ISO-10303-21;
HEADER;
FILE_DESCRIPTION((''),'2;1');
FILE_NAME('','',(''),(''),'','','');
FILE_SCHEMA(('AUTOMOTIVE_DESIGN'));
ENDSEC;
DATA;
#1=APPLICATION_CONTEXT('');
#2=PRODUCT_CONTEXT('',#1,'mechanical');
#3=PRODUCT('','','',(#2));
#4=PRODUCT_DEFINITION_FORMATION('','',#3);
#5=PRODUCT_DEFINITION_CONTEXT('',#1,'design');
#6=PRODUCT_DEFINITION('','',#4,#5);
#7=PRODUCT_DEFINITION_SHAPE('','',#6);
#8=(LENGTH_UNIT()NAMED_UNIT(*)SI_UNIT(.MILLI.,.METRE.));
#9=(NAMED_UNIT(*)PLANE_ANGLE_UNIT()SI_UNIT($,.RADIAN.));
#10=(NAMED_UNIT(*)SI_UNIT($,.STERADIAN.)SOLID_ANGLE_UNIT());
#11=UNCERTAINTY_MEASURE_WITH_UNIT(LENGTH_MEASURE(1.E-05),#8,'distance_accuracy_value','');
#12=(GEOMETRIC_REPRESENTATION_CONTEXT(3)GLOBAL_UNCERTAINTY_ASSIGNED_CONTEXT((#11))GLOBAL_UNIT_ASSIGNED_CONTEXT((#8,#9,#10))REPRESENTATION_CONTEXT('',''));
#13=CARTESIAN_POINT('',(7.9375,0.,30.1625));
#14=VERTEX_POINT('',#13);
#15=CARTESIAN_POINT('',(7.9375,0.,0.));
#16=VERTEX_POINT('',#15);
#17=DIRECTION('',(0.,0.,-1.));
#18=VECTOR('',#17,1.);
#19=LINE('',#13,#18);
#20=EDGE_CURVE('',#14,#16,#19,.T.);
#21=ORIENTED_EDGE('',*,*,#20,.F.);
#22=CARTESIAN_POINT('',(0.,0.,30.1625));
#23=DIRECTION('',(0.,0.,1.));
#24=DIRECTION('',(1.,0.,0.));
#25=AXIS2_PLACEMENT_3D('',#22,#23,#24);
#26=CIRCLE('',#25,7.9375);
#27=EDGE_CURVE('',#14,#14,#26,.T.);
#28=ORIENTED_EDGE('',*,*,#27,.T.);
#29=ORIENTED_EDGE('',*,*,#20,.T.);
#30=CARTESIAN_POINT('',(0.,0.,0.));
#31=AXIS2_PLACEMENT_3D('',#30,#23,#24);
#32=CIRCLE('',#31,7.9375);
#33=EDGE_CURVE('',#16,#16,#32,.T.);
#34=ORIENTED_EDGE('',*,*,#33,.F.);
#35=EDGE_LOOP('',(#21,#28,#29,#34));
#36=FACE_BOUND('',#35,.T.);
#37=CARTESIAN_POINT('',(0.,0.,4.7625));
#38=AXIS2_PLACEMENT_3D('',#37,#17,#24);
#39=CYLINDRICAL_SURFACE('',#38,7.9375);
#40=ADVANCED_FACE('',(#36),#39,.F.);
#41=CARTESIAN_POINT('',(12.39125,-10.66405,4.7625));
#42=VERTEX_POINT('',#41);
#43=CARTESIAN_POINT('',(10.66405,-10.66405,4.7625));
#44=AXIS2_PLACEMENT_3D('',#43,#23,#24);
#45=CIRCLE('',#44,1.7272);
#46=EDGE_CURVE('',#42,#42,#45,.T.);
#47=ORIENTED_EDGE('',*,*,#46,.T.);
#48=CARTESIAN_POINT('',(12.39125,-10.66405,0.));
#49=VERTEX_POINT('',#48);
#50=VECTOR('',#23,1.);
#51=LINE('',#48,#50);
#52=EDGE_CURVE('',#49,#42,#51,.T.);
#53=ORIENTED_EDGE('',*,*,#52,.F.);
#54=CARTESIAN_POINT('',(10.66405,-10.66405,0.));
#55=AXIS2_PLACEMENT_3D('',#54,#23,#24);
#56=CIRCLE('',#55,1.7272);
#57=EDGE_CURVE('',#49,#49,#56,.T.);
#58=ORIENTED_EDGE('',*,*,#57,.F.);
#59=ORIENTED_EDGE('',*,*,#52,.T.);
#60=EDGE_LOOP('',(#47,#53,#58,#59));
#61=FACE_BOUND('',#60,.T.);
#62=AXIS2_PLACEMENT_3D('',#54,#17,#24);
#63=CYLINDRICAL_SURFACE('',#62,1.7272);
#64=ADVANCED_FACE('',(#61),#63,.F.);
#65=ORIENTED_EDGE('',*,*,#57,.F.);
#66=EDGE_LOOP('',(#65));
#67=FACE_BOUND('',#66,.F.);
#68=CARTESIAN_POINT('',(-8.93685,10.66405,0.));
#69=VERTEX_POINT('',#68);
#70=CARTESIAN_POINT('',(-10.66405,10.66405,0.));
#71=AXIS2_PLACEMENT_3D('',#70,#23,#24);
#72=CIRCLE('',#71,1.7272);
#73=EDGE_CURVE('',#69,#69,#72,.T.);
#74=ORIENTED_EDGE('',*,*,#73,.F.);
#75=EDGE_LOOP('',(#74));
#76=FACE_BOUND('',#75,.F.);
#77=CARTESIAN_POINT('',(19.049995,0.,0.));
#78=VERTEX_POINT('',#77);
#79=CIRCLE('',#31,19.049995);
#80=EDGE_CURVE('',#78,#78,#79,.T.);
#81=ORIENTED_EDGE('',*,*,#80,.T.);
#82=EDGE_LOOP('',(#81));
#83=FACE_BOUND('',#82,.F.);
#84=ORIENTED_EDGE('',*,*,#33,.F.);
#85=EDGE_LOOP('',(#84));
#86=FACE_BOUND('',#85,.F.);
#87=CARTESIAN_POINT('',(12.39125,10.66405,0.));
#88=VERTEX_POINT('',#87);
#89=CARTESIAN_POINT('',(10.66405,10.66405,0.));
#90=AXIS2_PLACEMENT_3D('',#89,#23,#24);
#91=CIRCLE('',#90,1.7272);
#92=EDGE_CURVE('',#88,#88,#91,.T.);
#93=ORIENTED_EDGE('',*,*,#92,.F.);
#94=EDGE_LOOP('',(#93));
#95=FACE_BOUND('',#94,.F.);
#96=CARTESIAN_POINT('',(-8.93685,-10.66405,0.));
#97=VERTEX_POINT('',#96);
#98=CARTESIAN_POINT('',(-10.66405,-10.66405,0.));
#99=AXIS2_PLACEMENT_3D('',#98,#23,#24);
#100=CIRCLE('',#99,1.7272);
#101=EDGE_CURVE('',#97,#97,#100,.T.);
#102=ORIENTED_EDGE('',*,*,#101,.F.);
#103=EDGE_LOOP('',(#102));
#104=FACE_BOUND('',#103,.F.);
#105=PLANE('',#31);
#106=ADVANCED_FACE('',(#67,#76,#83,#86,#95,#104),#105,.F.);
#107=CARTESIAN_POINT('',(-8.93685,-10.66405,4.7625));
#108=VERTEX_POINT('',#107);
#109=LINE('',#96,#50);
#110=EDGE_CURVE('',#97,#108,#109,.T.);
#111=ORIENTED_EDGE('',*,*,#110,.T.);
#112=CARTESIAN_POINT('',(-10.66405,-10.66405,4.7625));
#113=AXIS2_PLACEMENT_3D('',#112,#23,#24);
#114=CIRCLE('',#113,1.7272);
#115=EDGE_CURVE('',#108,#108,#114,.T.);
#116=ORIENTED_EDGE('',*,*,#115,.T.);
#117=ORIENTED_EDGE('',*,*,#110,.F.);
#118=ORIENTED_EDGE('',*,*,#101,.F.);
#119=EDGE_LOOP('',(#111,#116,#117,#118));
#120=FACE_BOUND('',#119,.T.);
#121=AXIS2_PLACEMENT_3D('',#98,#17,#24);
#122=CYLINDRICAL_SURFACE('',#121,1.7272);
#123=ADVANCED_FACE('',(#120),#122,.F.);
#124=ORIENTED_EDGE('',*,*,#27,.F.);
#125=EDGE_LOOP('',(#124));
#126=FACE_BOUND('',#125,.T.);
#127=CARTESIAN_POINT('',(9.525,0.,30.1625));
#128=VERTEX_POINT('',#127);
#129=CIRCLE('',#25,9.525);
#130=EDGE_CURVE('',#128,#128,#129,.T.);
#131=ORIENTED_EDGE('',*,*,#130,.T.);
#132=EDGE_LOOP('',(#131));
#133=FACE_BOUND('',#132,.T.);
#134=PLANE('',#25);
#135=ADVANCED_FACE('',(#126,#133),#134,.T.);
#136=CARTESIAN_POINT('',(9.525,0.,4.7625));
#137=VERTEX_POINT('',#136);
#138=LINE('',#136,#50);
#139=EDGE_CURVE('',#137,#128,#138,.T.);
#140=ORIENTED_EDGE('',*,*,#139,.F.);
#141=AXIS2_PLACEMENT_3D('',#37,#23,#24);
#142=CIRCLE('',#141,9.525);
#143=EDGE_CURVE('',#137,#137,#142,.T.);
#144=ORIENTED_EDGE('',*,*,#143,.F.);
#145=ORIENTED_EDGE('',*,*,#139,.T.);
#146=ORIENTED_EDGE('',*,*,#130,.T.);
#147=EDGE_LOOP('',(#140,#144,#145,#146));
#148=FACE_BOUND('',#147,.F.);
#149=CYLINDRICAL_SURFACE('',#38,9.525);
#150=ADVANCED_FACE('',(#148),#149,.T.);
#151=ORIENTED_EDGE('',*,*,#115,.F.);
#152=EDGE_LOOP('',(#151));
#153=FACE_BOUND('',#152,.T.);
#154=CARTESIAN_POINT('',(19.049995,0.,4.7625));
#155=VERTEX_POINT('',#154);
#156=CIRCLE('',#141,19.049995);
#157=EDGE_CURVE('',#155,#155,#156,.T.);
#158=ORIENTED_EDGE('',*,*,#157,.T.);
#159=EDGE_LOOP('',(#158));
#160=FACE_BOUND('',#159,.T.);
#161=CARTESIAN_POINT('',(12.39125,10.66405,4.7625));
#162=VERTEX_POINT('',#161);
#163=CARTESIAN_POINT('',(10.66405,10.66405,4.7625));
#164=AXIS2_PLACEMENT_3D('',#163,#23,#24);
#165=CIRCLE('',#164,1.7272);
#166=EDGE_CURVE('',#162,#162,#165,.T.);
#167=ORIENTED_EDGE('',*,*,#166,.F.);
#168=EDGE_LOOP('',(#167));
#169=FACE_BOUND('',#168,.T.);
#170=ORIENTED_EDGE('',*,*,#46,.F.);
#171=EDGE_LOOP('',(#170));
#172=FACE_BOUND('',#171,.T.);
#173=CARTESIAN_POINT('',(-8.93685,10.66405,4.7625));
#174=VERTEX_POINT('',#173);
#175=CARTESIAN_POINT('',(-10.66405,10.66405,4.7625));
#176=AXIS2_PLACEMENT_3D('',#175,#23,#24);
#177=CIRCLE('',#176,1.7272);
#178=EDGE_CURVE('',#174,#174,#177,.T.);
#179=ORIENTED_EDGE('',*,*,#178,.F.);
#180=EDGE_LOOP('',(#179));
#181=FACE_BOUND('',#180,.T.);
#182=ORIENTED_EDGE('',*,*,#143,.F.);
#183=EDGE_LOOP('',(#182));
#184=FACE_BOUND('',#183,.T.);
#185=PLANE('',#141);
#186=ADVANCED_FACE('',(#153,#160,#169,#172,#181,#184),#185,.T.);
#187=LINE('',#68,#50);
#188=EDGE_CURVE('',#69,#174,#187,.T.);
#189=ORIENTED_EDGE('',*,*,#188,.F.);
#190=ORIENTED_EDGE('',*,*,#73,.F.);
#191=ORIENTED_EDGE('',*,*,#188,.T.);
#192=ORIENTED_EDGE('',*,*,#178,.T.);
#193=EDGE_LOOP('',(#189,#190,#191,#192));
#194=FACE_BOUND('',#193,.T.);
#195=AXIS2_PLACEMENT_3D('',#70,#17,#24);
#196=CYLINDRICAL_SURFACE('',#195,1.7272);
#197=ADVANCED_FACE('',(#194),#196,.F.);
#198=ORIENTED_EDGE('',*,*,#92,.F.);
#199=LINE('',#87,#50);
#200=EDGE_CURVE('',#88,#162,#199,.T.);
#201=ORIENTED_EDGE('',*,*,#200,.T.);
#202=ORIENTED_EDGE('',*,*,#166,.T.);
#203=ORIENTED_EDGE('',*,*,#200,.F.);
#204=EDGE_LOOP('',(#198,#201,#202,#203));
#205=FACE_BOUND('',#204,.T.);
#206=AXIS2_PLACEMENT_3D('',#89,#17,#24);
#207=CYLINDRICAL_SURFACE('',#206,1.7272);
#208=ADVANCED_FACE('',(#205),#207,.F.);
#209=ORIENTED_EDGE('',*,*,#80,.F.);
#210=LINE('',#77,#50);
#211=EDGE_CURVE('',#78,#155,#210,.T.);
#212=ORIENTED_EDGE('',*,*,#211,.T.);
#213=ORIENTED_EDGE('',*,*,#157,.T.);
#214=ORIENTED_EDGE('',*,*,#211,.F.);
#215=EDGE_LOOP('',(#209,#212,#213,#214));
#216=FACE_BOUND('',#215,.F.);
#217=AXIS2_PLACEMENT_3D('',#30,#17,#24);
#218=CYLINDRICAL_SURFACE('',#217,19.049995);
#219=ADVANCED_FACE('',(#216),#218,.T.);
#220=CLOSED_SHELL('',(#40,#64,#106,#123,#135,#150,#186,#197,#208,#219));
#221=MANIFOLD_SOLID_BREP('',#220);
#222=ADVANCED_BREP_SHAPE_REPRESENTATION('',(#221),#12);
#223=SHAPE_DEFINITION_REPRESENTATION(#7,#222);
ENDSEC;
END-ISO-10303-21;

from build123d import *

# Parameters (mm, degrees)
F0_R     = 19.049995
F0_R_2   = 1.7272
F0_R_3   = 7.9375
F1_DEPTH = 4.7625
F3_R     = 9.525
F3_R_2   = 7.9375
F4_DEPTH = 25.4


with BuildPart() as f1:
    # F0 (on Top) → F1 (new body)
    with BuildSketch(Plane.XY):
        Circle(F0_R)
        with Locations((-10.66405, -10.66405)):
            Circle(F0_R_2, mode=Mode.SUBTRACT)
        with Locations((10.66405, -10.66405)):
            Circle(F0_R_2, mode=Mode.SUBTRACT)
        with Locations((-10.66405, 10.66405)):
            Circle(F0_R_2, mode=Mode.SUBTRACT)
        Circle(F0_R_3, mode=Mode.SUBTRACT)
        with Locations((10.66405, 10.66405)):
            Circle(F0_R_2, mode=Mode.SUBTRACT)
    extrude(amount=F1_DEPTH)

    # F3 (on face) → F4 (join)
    with BuildSketch(Plane.XY.offset(4.7625)):
        Circle(F3_R)
        Circle(F3_R_2, mode=Mode.SUBTRACT)
    extrude(amount=F4_DEPTH)


solid = f1.part
